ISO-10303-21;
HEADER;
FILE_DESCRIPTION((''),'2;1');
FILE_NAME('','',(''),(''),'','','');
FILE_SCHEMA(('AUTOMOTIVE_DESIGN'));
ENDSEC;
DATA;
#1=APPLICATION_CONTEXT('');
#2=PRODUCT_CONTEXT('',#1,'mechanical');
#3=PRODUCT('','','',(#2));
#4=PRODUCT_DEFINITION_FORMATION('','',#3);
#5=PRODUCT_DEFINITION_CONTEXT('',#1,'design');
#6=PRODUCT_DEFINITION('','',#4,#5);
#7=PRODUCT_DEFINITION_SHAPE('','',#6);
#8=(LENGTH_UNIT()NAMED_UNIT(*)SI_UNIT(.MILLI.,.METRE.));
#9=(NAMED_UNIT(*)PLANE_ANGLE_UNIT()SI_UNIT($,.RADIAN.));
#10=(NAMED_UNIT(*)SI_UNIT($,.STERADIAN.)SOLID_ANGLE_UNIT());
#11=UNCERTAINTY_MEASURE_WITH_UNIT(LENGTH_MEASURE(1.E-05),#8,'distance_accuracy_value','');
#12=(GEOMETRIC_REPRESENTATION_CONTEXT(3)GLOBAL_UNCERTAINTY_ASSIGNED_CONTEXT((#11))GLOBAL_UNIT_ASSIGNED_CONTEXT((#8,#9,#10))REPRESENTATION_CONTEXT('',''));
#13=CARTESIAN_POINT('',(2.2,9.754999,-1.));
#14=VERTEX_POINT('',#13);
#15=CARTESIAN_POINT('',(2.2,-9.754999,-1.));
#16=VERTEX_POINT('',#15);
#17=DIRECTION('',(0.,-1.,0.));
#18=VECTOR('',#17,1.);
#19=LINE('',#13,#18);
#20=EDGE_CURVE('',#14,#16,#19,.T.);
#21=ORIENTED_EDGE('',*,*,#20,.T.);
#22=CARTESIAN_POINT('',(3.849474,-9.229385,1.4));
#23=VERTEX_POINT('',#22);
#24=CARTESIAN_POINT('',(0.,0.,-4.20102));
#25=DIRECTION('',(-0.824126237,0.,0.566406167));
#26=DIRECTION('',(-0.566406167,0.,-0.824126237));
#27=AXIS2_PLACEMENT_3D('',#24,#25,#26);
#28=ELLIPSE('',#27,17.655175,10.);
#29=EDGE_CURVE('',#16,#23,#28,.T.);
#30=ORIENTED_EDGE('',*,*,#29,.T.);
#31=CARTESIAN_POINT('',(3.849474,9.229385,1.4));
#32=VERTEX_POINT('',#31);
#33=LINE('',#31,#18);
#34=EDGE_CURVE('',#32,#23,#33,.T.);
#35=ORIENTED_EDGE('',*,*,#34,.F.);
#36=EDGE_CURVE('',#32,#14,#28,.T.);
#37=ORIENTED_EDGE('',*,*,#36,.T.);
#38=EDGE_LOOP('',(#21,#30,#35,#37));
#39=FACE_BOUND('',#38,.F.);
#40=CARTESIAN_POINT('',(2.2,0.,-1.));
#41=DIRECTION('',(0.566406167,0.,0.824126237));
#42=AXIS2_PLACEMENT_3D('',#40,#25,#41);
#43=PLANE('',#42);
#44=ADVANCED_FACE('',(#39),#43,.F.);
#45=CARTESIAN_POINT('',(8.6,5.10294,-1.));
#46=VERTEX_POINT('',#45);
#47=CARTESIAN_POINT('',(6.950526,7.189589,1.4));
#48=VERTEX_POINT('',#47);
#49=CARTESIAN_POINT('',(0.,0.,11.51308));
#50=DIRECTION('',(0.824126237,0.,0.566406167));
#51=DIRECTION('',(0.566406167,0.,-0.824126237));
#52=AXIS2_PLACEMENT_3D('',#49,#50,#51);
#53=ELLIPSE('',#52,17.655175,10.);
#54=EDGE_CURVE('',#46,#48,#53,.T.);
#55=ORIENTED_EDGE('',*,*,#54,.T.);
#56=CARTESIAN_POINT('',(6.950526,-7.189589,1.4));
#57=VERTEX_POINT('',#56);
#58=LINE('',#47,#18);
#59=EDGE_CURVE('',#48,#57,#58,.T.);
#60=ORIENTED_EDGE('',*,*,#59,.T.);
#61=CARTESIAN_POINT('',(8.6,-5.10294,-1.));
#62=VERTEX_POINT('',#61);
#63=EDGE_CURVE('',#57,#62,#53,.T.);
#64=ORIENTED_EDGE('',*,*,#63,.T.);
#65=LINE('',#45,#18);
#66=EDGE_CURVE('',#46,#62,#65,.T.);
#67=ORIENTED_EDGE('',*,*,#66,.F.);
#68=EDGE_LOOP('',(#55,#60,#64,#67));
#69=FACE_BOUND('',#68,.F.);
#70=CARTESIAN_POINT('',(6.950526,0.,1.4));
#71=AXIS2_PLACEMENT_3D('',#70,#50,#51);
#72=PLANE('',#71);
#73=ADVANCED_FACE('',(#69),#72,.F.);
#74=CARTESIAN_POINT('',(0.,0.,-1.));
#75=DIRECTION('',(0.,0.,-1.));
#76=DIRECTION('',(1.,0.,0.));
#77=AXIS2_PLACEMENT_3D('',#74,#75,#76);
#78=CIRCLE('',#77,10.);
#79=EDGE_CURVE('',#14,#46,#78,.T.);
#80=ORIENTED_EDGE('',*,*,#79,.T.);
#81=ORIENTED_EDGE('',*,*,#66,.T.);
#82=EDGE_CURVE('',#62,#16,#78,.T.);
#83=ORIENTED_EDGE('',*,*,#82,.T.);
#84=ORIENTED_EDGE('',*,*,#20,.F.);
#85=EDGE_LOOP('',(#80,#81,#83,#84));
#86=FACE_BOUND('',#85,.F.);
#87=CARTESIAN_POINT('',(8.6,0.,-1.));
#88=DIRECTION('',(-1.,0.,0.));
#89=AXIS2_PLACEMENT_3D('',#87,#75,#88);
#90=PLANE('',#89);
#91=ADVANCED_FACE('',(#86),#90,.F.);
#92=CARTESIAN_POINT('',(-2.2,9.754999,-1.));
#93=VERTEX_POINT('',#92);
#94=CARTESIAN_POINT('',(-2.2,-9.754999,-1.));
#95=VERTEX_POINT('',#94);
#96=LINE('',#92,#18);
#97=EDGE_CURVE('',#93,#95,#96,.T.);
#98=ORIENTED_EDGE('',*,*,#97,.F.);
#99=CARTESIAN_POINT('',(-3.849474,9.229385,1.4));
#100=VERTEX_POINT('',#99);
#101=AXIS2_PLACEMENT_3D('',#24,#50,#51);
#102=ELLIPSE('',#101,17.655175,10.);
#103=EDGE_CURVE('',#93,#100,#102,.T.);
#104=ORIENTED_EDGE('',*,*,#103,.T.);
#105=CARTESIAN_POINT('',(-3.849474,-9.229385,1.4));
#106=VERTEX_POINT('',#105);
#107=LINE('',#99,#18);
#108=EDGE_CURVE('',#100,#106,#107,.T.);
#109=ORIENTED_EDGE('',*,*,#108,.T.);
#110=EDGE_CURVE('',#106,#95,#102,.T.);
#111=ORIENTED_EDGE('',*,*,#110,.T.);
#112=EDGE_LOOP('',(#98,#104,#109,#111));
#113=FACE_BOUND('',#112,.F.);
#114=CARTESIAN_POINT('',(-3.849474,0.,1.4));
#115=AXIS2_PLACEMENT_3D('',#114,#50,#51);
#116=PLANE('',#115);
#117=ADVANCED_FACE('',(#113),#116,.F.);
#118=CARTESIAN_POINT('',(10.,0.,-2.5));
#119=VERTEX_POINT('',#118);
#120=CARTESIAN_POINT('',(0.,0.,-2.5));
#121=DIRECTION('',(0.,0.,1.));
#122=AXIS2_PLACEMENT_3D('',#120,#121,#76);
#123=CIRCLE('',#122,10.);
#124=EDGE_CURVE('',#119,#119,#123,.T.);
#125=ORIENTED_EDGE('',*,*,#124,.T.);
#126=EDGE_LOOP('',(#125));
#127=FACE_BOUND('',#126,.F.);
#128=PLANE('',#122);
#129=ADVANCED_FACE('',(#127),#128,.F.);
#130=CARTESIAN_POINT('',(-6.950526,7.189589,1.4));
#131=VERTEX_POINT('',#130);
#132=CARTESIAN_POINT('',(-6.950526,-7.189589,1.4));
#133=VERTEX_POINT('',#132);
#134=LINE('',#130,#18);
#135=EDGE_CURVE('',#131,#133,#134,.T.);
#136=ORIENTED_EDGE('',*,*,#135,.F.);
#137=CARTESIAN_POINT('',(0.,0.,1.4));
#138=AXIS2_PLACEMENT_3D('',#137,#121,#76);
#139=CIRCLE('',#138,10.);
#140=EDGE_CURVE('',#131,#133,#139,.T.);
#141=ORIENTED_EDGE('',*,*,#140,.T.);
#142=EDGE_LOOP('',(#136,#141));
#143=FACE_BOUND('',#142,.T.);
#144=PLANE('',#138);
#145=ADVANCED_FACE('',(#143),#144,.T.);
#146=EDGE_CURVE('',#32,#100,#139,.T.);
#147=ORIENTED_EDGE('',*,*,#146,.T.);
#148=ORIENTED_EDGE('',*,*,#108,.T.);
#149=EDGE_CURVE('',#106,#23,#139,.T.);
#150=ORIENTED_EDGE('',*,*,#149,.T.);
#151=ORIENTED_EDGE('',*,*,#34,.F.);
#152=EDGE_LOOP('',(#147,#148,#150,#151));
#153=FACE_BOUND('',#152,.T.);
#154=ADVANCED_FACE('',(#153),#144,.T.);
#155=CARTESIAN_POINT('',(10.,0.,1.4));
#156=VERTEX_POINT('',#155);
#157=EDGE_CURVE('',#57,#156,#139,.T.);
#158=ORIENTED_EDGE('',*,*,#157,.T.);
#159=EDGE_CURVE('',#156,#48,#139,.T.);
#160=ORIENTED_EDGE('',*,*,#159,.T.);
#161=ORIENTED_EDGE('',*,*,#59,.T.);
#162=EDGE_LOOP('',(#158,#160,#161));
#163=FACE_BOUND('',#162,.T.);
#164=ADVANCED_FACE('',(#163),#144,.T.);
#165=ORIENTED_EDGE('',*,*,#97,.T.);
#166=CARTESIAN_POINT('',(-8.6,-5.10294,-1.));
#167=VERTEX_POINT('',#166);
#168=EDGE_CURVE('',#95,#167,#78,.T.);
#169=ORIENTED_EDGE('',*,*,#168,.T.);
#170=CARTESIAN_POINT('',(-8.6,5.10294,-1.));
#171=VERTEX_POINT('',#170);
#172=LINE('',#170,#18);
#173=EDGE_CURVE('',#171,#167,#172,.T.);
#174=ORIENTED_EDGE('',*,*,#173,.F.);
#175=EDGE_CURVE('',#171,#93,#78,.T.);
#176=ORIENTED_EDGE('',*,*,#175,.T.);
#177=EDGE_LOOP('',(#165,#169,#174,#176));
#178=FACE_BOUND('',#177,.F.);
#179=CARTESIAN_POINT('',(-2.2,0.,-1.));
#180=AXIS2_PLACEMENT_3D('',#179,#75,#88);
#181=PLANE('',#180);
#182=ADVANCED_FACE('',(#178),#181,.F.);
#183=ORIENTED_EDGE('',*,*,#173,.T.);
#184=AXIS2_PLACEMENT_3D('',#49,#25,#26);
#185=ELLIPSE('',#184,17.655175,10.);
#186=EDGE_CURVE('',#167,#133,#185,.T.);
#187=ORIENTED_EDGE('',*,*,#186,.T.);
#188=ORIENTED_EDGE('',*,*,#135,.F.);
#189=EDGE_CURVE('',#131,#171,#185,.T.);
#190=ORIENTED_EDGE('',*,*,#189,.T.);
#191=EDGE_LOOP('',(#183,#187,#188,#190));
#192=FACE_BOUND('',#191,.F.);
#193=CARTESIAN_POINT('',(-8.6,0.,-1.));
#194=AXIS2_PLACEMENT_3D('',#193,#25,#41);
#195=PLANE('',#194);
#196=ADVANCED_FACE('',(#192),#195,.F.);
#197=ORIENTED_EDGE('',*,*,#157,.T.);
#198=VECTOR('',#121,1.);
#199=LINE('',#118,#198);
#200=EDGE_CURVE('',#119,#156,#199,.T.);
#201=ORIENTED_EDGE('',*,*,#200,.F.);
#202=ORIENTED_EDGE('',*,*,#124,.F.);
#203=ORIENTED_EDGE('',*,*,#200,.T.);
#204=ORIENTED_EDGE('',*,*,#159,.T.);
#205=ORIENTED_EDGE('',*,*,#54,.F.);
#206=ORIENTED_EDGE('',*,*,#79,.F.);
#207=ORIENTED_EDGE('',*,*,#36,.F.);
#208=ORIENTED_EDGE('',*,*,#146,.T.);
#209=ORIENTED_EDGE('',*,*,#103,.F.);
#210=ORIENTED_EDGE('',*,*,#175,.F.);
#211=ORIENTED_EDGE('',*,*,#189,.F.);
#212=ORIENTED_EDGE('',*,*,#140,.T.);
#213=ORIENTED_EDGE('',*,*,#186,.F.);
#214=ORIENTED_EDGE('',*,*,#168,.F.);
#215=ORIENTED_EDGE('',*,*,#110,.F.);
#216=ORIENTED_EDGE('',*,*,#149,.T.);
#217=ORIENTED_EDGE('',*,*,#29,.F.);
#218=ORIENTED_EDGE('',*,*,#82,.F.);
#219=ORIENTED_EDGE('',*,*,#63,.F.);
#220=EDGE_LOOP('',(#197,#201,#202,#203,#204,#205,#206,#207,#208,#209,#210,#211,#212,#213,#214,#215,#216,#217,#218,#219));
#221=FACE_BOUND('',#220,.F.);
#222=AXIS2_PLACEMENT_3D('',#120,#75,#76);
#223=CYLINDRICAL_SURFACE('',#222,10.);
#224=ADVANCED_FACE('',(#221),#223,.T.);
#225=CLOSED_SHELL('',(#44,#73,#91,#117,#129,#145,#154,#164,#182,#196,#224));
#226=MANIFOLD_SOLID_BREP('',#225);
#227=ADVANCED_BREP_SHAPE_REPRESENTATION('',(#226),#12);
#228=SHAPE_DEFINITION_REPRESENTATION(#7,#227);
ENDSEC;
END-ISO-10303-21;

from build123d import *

# Parameters (mm, degrees)
F0_R     = 10
F1_DEPTH = 3.9
F4_DEPTH = 25
F5_DEPTH = 25


with BuildPart() as f1:
    # F0 (on Top) → F1 (new body)
    with BuildSketch(Plane.XY):
        Circle(F0_R)
    extrude(amount=F1_DEPTH)


with BuildPart() as f1_1:
    # F3: moved
    add(f1.part.moved(Location((0, 0, -2.5))))

    # F2 (on Front) → F4 (cut)
    with BuildSketch(Plane.XZ):
        Polygon((-2.2, -1), (-3.849474, 1.4), (-6.950526, 1.4), (-8.6, -1), align=None)
        Polygon((8.6, -1), (6.950526, 1.4), (3.849474, 1.4), (2.2, -1), align=None)
    extrude(amount=-F4_DEPTH, mode=Mode.SUBTRACT)

    # F4_face (on face) → F5 (cut)
    with BuildSketch(Plane(origin=(5.4, 0, 0.061112), x_dir=(1, 0, 0), z_dir=(0, 1, 0))):
        Polygon((1.550526, -1.338888), (3.2, 1.061112), (-3.2, 1.061112), (-1.550526, -1.338888), align=None)
        Polygon((-14, 1.061112), (-12.350526, -1.338888), (-9.249474, -1.338888), (-7.6, 1.061112), align=None)
    extrude(amount=-F5_DEPTH, mode=Mode.SUBTRACT)


solid = f1_1.part
